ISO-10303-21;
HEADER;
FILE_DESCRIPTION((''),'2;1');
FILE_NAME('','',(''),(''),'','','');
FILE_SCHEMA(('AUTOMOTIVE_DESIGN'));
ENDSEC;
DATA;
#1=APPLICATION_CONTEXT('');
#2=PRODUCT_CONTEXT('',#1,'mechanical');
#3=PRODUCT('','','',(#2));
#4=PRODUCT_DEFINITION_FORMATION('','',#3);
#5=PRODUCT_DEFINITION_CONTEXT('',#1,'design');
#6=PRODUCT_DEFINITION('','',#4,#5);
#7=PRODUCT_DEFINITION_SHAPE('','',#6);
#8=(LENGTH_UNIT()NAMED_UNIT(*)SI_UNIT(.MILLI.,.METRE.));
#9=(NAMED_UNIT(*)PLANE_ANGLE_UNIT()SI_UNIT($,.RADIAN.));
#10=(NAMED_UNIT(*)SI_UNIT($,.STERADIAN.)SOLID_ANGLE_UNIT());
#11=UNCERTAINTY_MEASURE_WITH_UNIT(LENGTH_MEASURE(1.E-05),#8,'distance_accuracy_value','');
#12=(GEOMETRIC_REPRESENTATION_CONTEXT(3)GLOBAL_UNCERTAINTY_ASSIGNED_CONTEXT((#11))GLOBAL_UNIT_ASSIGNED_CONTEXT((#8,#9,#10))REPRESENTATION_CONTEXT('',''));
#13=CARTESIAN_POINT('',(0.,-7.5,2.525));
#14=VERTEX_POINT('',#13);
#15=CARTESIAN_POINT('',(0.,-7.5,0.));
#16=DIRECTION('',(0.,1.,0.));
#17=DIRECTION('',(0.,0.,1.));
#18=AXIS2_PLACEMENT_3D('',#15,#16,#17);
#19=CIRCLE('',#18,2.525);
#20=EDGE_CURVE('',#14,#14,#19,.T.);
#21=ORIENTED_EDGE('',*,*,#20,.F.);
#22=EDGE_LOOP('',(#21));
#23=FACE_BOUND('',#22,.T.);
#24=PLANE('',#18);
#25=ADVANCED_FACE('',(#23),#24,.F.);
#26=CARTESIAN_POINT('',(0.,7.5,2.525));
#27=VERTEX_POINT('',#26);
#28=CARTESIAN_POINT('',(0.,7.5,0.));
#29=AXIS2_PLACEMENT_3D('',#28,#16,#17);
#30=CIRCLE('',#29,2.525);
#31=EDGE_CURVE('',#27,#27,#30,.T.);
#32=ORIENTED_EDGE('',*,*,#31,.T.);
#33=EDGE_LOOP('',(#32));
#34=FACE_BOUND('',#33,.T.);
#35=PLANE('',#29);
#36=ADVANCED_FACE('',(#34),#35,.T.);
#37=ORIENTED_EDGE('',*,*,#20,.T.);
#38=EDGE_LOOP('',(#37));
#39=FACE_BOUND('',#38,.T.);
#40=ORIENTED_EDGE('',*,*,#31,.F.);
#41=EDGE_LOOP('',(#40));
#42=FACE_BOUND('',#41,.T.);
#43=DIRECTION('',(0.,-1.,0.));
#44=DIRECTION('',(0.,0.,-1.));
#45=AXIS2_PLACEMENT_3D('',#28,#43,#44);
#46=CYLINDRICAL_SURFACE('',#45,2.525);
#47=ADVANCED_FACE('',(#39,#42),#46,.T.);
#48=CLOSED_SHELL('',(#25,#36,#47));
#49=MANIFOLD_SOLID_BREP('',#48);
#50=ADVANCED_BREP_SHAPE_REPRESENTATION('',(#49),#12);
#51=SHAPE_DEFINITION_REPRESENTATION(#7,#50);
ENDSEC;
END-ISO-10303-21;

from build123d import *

# Parameters (mm, degrees)
CROQUIS1_R              = 2.525
SALIENTE_EXTRUIR1_DEPTH = 7.5


with BuildPart() as part:
    # Croquis1 → Saliente-Extruir1 (new, symmetric)
    with BuildSketch(Plane(origin=(0, 0, 0), x_dir=(1, 0, 0), z_dir=(0, 1, 0))):
        with Locations(Location((0, 0, 0), (0, 0, 270))):
            Circle(CROQUIS1_R)
    extrude(amount=SALIENTE_EXTRUIR1_DEPTH, both=True)


solid = part.part
